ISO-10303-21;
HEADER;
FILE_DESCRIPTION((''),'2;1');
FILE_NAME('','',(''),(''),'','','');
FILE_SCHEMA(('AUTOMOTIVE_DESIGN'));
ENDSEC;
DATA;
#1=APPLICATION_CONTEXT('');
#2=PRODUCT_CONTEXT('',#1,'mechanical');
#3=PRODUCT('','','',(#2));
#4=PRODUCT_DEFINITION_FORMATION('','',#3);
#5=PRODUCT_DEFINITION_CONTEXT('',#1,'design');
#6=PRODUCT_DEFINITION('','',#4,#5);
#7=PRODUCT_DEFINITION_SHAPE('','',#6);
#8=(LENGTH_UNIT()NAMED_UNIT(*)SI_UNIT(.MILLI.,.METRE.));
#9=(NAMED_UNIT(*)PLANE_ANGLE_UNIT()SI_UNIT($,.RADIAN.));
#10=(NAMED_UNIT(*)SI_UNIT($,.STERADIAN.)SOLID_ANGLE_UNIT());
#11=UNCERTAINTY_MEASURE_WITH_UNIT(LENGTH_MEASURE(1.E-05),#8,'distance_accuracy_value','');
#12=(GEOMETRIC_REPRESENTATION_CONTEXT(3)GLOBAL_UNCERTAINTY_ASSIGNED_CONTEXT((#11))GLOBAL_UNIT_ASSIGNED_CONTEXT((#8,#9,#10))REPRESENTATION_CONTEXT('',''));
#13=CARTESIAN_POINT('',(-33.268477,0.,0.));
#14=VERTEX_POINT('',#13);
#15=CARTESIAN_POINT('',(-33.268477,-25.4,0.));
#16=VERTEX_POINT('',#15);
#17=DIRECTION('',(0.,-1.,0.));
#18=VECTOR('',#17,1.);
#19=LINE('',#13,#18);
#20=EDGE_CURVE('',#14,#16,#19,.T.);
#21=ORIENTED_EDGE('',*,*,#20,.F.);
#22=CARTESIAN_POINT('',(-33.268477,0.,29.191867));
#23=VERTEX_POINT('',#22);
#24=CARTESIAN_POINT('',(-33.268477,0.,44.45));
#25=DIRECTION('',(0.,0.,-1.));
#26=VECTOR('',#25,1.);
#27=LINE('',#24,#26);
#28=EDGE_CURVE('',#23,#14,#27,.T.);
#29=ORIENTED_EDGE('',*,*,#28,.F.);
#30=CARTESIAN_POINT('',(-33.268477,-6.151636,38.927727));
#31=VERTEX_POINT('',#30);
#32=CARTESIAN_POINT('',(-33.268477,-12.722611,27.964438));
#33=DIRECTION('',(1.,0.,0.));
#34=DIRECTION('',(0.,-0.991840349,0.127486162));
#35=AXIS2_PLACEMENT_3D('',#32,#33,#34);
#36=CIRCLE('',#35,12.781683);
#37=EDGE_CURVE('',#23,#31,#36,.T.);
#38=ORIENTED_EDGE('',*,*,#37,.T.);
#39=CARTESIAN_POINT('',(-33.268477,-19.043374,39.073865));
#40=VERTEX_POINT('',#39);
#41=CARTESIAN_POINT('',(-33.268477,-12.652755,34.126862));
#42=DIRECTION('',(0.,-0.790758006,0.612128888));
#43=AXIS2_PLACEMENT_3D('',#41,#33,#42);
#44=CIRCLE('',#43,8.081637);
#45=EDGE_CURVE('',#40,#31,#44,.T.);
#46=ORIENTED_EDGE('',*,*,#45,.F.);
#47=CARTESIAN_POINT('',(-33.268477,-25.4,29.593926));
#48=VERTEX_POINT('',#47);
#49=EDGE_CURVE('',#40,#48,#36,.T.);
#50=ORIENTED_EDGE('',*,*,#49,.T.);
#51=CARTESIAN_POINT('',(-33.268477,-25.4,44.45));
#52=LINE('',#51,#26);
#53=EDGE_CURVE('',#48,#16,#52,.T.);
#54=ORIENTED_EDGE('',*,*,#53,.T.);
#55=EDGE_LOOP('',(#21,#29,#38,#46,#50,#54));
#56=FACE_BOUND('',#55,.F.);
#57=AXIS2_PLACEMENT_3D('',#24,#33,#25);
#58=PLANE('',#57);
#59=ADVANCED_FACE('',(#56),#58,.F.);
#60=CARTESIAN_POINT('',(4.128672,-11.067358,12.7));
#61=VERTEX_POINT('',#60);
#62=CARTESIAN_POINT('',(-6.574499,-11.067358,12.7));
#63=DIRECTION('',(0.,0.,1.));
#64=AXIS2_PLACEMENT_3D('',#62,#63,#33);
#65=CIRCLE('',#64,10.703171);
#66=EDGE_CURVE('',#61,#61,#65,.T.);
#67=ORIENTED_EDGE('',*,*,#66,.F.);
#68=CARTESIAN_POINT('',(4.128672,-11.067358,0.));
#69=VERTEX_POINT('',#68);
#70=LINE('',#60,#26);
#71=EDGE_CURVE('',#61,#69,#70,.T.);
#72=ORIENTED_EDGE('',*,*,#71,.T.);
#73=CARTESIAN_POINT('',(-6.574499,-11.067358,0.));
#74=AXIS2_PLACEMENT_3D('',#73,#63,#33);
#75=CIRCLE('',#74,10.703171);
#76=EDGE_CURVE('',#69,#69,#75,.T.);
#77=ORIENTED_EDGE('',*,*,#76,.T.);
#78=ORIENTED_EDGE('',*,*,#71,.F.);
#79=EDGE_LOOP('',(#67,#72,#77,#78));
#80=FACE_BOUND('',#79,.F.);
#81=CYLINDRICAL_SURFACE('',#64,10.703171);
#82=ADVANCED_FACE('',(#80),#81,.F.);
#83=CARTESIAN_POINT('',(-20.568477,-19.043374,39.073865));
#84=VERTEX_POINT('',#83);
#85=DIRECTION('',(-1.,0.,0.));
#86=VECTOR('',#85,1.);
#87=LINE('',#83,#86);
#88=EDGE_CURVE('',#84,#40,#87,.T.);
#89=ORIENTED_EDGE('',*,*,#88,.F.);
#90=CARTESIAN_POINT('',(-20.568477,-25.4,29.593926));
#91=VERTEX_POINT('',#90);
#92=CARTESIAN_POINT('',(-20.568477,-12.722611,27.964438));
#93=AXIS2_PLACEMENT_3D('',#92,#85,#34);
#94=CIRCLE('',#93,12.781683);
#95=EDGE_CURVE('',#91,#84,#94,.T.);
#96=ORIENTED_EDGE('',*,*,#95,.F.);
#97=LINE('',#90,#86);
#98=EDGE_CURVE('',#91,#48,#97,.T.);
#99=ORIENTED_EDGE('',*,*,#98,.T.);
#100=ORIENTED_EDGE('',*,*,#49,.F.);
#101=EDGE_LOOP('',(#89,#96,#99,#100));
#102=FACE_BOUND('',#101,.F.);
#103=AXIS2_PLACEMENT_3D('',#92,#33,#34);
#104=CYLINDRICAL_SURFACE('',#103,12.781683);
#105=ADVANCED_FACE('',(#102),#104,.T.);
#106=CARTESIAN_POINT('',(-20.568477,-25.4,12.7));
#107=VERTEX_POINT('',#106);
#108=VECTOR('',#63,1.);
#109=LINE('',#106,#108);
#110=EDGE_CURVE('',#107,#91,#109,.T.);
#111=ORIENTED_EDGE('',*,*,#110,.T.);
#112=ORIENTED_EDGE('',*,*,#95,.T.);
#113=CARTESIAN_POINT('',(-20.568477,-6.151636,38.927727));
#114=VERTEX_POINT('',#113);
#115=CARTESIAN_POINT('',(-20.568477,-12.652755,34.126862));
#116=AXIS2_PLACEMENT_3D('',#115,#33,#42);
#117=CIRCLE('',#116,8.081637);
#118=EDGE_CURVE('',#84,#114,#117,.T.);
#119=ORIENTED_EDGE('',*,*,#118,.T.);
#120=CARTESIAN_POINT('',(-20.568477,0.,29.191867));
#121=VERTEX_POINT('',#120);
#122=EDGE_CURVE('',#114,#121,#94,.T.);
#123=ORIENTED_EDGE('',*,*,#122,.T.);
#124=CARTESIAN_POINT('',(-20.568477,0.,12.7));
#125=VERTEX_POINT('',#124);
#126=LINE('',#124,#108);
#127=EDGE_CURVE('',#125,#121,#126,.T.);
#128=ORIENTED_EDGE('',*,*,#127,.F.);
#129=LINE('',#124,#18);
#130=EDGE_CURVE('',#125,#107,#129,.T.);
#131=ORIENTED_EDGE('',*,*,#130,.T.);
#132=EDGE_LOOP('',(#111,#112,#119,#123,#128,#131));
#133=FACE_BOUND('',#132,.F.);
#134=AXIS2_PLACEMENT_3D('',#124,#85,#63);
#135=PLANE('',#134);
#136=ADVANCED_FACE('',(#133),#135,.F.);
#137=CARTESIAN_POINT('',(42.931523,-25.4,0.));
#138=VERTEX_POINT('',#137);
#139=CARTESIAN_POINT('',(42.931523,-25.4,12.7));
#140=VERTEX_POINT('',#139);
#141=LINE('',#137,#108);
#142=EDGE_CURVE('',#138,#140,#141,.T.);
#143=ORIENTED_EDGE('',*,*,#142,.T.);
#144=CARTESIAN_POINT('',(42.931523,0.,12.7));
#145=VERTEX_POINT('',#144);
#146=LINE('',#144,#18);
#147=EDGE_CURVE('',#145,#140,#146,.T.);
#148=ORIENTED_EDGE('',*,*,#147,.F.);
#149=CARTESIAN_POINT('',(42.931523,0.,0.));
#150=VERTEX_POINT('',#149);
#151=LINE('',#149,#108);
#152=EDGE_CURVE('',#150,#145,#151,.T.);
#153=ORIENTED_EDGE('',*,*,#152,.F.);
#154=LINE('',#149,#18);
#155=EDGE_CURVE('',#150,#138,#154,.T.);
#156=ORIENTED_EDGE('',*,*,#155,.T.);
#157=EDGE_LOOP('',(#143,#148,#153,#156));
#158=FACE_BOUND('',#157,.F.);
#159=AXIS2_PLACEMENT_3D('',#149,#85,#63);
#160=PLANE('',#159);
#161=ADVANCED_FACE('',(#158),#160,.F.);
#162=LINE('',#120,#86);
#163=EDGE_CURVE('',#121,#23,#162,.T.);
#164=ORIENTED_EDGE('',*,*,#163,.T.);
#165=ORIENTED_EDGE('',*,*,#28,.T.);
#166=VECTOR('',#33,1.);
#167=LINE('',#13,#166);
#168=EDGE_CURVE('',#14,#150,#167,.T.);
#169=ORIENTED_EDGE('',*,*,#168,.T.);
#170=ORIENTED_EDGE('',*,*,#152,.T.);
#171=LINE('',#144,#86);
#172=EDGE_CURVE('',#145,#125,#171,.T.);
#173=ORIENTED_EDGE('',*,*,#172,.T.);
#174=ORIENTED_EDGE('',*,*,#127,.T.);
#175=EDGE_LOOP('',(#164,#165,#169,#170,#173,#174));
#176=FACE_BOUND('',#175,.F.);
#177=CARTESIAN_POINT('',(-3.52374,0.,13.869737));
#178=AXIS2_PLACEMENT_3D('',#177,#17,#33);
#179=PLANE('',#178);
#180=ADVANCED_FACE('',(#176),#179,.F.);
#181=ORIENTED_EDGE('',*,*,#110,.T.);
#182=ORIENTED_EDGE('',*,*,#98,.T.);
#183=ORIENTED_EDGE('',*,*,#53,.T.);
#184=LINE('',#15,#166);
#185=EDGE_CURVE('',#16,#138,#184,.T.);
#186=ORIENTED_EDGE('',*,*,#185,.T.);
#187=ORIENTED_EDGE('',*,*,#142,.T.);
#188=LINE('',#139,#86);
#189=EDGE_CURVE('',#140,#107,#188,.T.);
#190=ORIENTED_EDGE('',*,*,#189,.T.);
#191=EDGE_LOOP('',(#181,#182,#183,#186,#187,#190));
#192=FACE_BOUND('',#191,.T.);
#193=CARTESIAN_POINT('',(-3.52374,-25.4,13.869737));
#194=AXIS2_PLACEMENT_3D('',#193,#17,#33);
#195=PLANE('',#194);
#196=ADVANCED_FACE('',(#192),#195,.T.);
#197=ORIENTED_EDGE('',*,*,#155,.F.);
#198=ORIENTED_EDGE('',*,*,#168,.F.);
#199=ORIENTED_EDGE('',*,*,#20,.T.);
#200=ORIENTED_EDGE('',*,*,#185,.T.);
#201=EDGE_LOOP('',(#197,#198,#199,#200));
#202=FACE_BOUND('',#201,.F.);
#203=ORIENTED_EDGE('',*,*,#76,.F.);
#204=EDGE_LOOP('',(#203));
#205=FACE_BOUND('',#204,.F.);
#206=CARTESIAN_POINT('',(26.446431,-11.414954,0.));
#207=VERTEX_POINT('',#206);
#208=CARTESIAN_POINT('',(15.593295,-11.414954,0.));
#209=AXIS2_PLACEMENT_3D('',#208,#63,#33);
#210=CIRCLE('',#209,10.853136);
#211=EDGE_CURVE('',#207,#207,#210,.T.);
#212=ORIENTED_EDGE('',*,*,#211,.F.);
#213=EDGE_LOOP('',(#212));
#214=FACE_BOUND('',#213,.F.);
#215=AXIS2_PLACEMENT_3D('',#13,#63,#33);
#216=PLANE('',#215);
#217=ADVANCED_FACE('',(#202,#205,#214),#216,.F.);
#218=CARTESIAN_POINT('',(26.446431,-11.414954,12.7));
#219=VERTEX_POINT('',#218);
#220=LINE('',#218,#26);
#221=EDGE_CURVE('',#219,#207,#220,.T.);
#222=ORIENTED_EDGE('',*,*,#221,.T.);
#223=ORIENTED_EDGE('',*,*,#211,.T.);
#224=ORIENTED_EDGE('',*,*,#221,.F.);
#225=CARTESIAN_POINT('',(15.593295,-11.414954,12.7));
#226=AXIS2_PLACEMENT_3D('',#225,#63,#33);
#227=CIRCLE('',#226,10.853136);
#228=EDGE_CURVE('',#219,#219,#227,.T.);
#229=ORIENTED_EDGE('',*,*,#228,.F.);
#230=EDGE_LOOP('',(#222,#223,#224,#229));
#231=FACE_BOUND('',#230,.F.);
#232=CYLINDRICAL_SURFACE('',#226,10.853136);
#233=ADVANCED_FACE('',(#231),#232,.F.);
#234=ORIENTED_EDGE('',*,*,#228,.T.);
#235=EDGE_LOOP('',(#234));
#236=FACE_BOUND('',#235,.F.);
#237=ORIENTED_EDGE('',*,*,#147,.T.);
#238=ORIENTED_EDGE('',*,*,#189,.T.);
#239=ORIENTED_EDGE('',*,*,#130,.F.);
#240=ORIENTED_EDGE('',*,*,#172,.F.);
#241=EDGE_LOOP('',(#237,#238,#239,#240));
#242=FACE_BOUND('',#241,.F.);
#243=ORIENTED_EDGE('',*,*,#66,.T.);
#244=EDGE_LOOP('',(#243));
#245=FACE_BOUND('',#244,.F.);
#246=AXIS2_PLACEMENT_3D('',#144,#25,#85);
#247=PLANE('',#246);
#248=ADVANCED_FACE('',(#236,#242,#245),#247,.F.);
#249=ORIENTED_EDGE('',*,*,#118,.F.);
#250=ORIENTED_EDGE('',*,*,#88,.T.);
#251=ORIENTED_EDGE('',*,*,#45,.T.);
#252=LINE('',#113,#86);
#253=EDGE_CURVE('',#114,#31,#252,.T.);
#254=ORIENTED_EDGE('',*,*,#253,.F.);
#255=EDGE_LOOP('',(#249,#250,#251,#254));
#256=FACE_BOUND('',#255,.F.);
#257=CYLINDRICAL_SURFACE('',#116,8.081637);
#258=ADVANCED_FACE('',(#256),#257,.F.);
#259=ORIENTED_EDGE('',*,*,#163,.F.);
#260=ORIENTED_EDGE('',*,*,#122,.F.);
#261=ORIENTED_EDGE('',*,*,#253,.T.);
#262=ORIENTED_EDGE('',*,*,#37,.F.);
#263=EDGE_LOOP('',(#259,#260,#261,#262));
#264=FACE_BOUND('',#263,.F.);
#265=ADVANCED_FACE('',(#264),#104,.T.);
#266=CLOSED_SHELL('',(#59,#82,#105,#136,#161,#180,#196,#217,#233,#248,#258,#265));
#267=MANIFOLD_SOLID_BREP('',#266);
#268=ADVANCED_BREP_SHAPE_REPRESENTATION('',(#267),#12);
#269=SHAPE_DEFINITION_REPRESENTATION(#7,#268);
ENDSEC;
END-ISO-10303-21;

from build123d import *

# Parameters (mm, degrees)
F1_DEPTH = 25.4
F4_DEPTH = 25.4
F6_DEPTH = 25.4
F7_R     = 10.7031711433
F7_R_2   = 10.853136357
F8_DEPTH = 25.4


with BuildPart() as f1:
    # F0 (on Front) → F1 (new body)
    with BuildSketch(Plane.XZ):
        Polygon((-20.5684766621, 44.45), (-33.2684766621, 44.45), (-33.2684766621, 0), (42.9315233379, 0), (42.9315233379, 12.7), (-20.5684766621, 12.7), align=None)
    extrude(amount=F1_DEPTH)

    # F3 (on face) → F4 (cut)
    with BuildSketch(Plane.YZ.offset(-20.5684766621)):
        with BuildLine():
            ThreePointArc((-25.4, 29.5939260799), (-12.5203138917, 40.7445202451), (0, 29.1918666739))
            Line((0, 29.1918666739), (0, 44.45))
            Line((0, 44.45), (-25.4, 44.45))
            Line((-25.4, 44.45), (-25.4, 29.5939260799))
        make_face()
    extrude(amount=-F4_DEPTH, mode=Mode.SUBTRACT)

    # F5 (on face) → F6 (cut)
    with BuildSketch(Plane.YZ.offset(-20.5684766621)):
        with BuildLine():
            ThreePointArc((-6.1516358245, 38.9277270751), (-12.5777297237, 40.7453000896), (-19.0433743714, 39.0738654502))
            ThreePointArc((-19.0433743714, 39.0738654502), (-12.7443611857, 26.0457440008), (-6.1516358245, 38.9277270751))
        make_face()
    extrude(amount=-F6_DEPTH, mode=Mode.SUBTRACT)

    # F7 (on face) → F8 (cut)
    with BuildSketch(Plane.XY.offset(12.7)):
        with Locations((-6.5744994208, -11.0673578456)):
            Circle(F7_R)
        with Locations((15.5932949856, -11.4149535075)):
            Circle(F7_R_2)
    extrude(amount=-F8_DEPTH, mode=Mode.SUBTRACT)


solid = f1.part
